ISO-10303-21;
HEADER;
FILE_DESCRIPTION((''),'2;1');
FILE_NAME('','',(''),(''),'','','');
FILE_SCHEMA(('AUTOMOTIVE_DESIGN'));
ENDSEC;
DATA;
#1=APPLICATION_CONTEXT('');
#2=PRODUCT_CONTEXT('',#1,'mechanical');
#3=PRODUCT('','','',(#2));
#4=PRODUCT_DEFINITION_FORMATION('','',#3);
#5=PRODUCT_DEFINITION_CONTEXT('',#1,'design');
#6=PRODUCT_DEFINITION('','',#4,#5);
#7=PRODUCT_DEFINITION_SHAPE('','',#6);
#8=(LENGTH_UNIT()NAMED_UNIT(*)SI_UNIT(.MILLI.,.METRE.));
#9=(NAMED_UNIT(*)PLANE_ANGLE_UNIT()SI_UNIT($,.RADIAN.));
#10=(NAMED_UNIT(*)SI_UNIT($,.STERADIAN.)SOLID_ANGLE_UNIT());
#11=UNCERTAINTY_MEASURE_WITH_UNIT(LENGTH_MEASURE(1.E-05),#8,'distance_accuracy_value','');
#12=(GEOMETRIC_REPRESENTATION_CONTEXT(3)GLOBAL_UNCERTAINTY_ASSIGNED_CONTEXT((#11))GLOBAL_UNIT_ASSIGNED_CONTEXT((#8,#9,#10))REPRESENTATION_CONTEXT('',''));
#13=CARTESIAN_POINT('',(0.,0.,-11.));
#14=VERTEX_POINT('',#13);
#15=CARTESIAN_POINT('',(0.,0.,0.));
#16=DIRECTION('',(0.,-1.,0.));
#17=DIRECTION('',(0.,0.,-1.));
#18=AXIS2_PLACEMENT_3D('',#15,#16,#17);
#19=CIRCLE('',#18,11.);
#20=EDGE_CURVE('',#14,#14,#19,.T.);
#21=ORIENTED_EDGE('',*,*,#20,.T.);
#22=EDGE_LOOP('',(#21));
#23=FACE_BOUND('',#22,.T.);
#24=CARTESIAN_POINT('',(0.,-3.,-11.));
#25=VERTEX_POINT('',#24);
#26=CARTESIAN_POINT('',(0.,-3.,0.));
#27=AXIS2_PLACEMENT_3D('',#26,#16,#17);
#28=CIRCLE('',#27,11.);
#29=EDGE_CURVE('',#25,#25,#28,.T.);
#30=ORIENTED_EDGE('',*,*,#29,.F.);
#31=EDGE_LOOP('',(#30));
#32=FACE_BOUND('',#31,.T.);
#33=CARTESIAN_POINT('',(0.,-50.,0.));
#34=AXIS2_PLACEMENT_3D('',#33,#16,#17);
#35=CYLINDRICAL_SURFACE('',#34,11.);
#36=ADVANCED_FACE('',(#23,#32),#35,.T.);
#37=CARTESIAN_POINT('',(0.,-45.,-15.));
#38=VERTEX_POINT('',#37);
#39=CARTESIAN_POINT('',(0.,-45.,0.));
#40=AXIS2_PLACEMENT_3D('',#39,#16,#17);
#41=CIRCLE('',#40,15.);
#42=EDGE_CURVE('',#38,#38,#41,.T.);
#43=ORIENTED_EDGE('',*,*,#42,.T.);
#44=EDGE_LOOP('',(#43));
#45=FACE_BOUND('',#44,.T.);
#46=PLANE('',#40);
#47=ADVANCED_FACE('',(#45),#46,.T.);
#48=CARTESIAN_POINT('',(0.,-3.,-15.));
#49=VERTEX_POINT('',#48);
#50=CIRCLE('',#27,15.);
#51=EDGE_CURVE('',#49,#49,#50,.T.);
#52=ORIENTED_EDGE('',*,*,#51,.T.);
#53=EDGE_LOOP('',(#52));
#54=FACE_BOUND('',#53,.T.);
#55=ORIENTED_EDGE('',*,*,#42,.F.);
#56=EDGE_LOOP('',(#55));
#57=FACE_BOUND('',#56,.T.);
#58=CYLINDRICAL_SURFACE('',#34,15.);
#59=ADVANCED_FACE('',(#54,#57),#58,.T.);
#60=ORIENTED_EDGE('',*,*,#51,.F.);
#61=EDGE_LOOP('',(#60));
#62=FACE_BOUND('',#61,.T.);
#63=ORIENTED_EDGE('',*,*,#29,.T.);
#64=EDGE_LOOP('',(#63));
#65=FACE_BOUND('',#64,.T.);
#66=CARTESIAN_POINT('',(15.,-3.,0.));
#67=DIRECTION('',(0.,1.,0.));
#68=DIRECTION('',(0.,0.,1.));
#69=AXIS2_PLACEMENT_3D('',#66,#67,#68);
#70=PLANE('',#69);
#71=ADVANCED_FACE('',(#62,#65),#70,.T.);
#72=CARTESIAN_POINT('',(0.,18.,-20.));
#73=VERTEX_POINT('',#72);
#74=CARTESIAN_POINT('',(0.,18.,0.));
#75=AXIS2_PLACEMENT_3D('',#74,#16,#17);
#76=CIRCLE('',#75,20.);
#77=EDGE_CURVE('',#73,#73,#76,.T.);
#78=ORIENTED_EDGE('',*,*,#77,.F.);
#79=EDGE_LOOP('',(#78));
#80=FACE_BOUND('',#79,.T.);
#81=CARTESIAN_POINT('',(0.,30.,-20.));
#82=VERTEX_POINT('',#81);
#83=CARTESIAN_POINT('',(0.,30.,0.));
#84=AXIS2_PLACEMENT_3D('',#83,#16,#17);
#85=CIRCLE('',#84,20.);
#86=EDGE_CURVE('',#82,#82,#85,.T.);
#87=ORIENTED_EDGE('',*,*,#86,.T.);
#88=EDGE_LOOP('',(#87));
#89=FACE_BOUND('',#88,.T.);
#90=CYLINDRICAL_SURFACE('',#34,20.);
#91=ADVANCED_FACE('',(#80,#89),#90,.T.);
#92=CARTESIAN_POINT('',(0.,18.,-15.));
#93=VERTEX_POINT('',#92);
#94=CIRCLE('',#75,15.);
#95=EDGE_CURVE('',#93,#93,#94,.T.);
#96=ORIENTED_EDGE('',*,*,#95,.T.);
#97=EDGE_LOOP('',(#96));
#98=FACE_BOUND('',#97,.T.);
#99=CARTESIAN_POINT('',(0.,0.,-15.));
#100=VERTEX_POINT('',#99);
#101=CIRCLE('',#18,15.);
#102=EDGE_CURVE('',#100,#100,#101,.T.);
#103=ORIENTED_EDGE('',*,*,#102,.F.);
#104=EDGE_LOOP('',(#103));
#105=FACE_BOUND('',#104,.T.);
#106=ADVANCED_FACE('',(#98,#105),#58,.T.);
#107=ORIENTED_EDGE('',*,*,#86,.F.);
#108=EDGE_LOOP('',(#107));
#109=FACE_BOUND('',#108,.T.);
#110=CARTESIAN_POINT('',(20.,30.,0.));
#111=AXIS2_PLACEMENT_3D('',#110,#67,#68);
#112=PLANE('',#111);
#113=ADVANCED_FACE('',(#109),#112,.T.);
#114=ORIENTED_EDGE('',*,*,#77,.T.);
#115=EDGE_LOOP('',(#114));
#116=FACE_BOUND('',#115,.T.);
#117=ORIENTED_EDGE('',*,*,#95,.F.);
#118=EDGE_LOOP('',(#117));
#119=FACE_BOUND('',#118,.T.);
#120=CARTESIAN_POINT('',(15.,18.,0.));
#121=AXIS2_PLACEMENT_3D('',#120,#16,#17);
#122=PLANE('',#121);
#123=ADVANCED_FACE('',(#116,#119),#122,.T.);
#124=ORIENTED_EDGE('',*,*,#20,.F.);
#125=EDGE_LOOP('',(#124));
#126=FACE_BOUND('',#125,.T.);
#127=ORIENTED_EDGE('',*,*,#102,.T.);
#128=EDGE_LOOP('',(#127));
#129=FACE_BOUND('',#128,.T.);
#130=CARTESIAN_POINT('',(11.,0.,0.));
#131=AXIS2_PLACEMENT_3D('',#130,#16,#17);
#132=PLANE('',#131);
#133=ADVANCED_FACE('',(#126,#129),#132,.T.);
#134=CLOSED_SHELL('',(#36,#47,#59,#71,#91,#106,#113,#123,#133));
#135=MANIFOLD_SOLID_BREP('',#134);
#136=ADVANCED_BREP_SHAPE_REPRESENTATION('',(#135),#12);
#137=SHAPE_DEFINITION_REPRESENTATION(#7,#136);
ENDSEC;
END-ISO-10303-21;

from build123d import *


with BuildPart() as part:
    # SK_EStop → EStop (revolve)
    with BuildSketch(Plane.XY, mode=Mode.PRIVATE) as estop_sk:
        Polygon((0, -45), (15, -45), (15, -3), (11, -3), (11, 0), (15, 0), (15, 18), (20, 18), (20, 30), (0, 30), align=None)
    revolve(estop_sk.sketch.rotate(Axis((0, -50, 0), (0, 1, 0)), 90), axis=Axis((0, -50, 0), (0, 1, 0)))


solid = part.part
